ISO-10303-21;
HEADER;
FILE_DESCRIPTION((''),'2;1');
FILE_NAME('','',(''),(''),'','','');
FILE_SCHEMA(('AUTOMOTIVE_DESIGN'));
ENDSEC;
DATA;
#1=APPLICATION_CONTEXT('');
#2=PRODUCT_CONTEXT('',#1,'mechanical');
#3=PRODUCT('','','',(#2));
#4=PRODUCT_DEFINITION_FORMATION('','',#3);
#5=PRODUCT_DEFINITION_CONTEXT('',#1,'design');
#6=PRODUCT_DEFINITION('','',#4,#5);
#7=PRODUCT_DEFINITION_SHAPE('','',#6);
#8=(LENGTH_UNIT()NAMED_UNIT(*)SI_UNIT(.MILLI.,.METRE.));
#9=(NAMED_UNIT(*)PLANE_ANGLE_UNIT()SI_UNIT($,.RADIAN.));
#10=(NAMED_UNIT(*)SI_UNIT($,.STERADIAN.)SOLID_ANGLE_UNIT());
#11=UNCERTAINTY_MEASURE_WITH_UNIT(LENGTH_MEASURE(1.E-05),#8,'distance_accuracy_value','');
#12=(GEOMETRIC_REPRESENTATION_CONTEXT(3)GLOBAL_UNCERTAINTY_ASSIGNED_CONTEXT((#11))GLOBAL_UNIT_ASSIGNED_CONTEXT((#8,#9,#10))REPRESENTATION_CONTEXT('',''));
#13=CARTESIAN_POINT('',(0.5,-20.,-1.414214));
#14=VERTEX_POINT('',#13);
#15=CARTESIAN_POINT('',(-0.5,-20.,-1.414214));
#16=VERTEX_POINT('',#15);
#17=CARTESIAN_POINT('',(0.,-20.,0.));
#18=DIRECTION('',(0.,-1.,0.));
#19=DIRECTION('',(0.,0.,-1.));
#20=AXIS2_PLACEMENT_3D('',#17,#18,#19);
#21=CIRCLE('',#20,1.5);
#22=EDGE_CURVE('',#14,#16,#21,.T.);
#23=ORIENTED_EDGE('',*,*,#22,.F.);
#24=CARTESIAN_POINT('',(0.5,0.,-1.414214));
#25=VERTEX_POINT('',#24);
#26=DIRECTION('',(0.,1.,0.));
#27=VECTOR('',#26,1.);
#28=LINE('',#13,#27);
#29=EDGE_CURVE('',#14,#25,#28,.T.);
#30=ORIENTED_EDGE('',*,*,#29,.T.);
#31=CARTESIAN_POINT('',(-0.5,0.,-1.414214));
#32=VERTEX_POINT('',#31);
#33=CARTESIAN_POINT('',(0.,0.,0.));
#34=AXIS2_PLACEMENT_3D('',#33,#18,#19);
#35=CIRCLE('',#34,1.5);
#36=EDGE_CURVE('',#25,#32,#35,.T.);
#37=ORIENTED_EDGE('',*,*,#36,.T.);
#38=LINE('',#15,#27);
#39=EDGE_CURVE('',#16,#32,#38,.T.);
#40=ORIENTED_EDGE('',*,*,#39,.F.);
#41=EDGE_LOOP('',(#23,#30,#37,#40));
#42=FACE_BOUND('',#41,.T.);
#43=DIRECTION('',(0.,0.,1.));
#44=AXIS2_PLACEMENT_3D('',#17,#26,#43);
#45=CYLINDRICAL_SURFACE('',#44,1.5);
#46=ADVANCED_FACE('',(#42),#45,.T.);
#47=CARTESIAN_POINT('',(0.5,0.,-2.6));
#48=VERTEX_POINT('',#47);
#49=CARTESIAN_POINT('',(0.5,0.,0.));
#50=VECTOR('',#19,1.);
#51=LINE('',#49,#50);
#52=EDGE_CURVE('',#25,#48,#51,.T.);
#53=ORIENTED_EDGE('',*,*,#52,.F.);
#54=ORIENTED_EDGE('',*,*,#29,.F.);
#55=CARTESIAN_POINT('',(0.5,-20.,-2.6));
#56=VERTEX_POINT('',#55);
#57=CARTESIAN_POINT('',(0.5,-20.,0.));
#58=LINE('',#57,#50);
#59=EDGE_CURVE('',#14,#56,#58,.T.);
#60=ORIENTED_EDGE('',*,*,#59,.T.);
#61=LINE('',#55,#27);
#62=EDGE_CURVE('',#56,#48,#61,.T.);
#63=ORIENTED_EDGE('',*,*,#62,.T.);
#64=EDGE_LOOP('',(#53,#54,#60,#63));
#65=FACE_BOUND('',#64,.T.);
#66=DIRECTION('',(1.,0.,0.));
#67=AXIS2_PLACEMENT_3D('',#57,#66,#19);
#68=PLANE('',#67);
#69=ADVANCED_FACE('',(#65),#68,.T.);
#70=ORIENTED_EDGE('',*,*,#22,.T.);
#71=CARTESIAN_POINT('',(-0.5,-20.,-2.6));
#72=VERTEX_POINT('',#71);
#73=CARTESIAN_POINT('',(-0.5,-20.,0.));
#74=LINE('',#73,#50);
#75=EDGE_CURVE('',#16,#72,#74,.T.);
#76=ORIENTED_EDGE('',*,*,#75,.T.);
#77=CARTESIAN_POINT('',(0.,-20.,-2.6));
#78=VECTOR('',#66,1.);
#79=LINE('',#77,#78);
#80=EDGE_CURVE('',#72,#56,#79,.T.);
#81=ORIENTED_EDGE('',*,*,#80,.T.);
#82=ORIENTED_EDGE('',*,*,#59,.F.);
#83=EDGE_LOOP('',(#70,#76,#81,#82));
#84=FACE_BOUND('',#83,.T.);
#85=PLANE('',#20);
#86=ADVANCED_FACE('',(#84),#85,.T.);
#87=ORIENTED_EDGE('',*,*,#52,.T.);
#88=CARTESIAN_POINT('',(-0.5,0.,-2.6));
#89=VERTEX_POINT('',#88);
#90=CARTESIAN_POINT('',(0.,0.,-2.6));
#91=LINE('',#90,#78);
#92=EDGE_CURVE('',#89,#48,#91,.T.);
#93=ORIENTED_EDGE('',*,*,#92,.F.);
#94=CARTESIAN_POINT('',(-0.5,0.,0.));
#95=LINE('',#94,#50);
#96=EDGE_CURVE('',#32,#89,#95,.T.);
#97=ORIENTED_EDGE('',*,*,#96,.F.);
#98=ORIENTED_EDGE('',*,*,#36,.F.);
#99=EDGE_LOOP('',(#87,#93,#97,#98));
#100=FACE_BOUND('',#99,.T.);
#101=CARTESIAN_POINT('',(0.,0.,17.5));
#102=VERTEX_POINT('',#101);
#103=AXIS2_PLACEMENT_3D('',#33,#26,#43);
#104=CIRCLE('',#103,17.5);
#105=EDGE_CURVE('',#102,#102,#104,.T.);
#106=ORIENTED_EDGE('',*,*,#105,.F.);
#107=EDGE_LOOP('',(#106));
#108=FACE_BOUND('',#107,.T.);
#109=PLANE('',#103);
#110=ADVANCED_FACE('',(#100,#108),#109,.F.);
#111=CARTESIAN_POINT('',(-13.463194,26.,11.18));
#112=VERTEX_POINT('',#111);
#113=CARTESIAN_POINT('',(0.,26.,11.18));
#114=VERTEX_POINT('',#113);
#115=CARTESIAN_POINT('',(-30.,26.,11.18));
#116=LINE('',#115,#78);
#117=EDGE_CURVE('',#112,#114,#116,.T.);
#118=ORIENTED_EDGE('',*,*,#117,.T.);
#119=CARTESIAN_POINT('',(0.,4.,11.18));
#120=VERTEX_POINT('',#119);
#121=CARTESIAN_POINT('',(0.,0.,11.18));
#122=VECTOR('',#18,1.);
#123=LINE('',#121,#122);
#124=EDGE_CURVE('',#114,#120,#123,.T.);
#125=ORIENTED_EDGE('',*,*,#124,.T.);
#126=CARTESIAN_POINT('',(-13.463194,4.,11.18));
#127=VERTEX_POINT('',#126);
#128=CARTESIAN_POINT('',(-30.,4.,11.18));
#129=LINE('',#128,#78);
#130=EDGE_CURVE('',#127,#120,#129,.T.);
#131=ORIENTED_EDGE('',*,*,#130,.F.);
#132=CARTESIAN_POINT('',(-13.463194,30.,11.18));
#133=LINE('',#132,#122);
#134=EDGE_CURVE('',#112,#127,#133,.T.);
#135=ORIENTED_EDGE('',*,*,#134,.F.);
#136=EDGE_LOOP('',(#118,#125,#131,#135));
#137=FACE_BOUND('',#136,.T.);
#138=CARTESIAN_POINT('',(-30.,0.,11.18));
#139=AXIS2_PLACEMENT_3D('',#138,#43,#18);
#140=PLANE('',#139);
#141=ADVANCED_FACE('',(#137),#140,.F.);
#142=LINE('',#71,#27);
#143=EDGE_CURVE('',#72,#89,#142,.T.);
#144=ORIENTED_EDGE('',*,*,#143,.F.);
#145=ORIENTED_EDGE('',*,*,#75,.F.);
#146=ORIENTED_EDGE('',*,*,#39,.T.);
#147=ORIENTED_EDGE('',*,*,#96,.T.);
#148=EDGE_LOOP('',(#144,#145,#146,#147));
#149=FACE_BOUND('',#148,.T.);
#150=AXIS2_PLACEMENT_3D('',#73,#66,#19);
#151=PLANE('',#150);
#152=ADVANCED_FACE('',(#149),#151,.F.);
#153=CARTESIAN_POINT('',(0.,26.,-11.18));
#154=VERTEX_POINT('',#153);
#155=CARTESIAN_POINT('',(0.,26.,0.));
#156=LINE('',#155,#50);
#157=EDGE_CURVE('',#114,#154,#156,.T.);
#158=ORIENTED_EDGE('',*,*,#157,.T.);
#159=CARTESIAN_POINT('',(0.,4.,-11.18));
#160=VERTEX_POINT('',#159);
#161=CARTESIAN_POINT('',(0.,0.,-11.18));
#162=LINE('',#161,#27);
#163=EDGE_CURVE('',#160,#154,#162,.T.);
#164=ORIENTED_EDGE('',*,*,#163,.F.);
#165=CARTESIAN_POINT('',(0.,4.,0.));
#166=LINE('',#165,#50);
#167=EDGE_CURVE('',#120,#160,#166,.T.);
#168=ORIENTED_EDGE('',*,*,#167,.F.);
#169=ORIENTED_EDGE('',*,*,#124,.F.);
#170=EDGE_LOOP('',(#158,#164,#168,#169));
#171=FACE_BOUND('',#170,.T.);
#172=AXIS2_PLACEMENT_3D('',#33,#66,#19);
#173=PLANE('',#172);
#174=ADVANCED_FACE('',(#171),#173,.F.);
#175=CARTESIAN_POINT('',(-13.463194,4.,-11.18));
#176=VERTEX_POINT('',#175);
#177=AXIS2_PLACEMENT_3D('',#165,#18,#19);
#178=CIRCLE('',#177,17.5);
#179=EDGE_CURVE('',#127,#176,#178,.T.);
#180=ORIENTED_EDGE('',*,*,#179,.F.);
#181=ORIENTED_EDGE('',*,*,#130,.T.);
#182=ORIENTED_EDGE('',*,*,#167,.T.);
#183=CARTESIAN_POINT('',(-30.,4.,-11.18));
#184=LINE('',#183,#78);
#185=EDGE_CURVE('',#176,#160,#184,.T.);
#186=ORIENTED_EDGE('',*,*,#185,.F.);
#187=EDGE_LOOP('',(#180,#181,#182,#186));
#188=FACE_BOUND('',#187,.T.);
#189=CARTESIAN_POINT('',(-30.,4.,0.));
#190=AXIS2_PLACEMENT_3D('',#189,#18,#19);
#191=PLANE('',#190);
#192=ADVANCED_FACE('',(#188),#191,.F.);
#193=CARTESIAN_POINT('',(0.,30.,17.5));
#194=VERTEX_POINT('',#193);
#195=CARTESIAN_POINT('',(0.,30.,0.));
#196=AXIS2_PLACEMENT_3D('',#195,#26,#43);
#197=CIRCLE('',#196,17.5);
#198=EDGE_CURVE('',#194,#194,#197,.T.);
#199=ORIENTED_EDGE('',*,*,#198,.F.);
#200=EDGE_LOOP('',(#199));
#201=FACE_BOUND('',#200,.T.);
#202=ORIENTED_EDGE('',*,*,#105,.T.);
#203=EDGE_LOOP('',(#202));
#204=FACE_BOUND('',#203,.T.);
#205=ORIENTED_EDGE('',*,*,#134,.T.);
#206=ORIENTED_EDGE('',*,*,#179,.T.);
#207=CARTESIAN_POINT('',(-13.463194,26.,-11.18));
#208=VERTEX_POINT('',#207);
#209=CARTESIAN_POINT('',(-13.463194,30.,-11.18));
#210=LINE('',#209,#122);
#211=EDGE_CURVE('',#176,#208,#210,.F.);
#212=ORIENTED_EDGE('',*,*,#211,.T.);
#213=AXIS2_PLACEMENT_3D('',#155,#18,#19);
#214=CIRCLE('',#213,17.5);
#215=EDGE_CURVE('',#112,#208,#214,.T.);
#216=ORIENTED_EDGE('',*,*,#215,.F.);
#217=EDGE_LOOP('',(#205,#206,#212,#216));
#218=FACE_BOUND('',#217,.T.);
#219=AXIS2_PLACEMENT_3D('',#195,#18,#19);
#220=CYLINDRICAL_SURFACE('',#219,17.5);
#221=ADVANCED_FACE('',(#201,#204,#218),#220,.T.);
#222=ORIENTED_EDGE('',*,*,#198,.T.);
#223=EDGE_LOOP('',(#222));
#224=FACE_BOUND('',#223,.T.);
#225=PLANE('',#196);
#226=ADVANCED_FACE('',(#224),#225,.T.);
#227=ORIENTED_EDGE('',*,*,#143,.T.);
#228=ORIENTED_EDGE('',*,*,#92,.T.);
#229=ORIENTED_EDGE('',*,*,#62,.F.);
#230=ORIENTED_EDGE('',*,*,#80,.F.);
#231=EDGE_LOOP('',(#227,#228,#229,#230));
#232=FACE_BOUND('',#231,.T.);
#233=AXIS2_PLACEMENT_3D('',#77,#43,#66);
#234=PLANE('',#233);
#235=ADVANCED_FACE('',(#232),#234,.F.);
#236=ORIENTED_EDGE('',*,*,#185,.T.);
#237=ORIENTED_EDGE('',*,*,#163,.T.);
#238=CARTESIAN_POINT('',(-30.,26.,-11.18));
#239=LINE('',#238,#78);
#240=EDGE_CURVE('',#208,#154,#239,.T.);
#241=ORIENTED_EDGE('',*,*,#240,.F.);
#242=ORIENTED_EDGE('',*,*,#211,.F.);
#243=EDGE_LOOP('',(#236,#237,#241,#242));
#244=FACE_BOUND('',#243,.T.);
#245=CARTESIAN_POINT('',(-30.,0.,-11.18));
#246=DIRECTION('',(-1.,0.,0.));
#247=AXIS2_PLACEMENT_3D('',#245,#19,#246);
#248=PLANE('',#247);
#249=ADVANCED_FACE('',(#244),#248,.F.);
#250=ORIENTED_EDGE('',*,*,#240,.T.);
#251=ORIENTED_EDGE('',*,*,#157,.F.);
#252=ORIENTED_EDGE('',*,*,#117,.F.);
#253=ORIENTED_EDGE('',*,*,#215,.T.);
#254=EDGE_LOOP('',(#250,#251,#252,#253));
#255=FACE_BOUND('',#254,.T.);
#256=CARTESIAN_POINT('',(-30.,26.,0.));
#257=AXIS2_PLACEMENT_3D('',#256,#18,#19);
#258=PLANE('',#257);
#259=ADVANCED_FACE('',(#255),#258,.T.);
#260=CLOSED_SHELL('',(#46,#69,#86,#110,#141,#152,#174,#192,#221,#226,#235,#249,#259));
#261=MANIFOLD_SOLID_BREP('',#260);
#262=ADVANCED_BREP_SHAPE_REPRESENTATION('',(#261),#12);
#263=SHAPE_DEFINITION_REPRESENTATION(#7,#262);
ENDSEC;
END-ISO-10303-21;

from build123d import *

# Parameters (mm, degrees)
SKETCH1_R           = 17.5
BOSS_EXTRUDE1_DEPTH = 30
SKETCH2_W           = 22.36
SKETCH2_H           = 22
CUT_EXTRUDE1_DEPTH  = 30
BOSS_EXTRUDE2_DEPTH = 20


with BuildPart() as part:
    # Sketch1 → Boss-Extrude1 (new body)
    with BuildSketch(Plane(origin=(0, 0, 0), x_dir=(1, 0, 0), z_dir=(0, 1, 0))):
        Circle(SKETCH1_R)
    extrude(amount=BOSS_EXTRUDE1_DEPTH)

    # Sketch2 → Cut-Extrude1 (cut)
    with BuildSketch(Plane(origin=(0, 0, 0), x_dir=(0, 0, -1), z_dir=(1, 0, 0))):
        with Locations((0, 15)):
            Rectangle(SKETCH2_W, SKETCH2_H)
    extrude(amount=-CUT_EXTRUDE1_DEPTH, mode=Mode.SUBTRACT)

    # Sketch3 → Boss-Extrude2 (add)
    with BuildSketch(Plane.XZ):
        with BuildLine():
            Line((-0.5, -1.414213562), (-0.5, -2.6))
            Line((-0.5, -2.6), (0.5, -2.6))
            Line((0.5, -2.6), (0.5, -1.414213562))
            ThreePointArc((0.5, -1.414213562), (0, 1.5), (-0.5, -1.414213562))
        make_face()
    extrude(amount=BOSS_EXTRUDE2_DEPTH)


solid = part.part
